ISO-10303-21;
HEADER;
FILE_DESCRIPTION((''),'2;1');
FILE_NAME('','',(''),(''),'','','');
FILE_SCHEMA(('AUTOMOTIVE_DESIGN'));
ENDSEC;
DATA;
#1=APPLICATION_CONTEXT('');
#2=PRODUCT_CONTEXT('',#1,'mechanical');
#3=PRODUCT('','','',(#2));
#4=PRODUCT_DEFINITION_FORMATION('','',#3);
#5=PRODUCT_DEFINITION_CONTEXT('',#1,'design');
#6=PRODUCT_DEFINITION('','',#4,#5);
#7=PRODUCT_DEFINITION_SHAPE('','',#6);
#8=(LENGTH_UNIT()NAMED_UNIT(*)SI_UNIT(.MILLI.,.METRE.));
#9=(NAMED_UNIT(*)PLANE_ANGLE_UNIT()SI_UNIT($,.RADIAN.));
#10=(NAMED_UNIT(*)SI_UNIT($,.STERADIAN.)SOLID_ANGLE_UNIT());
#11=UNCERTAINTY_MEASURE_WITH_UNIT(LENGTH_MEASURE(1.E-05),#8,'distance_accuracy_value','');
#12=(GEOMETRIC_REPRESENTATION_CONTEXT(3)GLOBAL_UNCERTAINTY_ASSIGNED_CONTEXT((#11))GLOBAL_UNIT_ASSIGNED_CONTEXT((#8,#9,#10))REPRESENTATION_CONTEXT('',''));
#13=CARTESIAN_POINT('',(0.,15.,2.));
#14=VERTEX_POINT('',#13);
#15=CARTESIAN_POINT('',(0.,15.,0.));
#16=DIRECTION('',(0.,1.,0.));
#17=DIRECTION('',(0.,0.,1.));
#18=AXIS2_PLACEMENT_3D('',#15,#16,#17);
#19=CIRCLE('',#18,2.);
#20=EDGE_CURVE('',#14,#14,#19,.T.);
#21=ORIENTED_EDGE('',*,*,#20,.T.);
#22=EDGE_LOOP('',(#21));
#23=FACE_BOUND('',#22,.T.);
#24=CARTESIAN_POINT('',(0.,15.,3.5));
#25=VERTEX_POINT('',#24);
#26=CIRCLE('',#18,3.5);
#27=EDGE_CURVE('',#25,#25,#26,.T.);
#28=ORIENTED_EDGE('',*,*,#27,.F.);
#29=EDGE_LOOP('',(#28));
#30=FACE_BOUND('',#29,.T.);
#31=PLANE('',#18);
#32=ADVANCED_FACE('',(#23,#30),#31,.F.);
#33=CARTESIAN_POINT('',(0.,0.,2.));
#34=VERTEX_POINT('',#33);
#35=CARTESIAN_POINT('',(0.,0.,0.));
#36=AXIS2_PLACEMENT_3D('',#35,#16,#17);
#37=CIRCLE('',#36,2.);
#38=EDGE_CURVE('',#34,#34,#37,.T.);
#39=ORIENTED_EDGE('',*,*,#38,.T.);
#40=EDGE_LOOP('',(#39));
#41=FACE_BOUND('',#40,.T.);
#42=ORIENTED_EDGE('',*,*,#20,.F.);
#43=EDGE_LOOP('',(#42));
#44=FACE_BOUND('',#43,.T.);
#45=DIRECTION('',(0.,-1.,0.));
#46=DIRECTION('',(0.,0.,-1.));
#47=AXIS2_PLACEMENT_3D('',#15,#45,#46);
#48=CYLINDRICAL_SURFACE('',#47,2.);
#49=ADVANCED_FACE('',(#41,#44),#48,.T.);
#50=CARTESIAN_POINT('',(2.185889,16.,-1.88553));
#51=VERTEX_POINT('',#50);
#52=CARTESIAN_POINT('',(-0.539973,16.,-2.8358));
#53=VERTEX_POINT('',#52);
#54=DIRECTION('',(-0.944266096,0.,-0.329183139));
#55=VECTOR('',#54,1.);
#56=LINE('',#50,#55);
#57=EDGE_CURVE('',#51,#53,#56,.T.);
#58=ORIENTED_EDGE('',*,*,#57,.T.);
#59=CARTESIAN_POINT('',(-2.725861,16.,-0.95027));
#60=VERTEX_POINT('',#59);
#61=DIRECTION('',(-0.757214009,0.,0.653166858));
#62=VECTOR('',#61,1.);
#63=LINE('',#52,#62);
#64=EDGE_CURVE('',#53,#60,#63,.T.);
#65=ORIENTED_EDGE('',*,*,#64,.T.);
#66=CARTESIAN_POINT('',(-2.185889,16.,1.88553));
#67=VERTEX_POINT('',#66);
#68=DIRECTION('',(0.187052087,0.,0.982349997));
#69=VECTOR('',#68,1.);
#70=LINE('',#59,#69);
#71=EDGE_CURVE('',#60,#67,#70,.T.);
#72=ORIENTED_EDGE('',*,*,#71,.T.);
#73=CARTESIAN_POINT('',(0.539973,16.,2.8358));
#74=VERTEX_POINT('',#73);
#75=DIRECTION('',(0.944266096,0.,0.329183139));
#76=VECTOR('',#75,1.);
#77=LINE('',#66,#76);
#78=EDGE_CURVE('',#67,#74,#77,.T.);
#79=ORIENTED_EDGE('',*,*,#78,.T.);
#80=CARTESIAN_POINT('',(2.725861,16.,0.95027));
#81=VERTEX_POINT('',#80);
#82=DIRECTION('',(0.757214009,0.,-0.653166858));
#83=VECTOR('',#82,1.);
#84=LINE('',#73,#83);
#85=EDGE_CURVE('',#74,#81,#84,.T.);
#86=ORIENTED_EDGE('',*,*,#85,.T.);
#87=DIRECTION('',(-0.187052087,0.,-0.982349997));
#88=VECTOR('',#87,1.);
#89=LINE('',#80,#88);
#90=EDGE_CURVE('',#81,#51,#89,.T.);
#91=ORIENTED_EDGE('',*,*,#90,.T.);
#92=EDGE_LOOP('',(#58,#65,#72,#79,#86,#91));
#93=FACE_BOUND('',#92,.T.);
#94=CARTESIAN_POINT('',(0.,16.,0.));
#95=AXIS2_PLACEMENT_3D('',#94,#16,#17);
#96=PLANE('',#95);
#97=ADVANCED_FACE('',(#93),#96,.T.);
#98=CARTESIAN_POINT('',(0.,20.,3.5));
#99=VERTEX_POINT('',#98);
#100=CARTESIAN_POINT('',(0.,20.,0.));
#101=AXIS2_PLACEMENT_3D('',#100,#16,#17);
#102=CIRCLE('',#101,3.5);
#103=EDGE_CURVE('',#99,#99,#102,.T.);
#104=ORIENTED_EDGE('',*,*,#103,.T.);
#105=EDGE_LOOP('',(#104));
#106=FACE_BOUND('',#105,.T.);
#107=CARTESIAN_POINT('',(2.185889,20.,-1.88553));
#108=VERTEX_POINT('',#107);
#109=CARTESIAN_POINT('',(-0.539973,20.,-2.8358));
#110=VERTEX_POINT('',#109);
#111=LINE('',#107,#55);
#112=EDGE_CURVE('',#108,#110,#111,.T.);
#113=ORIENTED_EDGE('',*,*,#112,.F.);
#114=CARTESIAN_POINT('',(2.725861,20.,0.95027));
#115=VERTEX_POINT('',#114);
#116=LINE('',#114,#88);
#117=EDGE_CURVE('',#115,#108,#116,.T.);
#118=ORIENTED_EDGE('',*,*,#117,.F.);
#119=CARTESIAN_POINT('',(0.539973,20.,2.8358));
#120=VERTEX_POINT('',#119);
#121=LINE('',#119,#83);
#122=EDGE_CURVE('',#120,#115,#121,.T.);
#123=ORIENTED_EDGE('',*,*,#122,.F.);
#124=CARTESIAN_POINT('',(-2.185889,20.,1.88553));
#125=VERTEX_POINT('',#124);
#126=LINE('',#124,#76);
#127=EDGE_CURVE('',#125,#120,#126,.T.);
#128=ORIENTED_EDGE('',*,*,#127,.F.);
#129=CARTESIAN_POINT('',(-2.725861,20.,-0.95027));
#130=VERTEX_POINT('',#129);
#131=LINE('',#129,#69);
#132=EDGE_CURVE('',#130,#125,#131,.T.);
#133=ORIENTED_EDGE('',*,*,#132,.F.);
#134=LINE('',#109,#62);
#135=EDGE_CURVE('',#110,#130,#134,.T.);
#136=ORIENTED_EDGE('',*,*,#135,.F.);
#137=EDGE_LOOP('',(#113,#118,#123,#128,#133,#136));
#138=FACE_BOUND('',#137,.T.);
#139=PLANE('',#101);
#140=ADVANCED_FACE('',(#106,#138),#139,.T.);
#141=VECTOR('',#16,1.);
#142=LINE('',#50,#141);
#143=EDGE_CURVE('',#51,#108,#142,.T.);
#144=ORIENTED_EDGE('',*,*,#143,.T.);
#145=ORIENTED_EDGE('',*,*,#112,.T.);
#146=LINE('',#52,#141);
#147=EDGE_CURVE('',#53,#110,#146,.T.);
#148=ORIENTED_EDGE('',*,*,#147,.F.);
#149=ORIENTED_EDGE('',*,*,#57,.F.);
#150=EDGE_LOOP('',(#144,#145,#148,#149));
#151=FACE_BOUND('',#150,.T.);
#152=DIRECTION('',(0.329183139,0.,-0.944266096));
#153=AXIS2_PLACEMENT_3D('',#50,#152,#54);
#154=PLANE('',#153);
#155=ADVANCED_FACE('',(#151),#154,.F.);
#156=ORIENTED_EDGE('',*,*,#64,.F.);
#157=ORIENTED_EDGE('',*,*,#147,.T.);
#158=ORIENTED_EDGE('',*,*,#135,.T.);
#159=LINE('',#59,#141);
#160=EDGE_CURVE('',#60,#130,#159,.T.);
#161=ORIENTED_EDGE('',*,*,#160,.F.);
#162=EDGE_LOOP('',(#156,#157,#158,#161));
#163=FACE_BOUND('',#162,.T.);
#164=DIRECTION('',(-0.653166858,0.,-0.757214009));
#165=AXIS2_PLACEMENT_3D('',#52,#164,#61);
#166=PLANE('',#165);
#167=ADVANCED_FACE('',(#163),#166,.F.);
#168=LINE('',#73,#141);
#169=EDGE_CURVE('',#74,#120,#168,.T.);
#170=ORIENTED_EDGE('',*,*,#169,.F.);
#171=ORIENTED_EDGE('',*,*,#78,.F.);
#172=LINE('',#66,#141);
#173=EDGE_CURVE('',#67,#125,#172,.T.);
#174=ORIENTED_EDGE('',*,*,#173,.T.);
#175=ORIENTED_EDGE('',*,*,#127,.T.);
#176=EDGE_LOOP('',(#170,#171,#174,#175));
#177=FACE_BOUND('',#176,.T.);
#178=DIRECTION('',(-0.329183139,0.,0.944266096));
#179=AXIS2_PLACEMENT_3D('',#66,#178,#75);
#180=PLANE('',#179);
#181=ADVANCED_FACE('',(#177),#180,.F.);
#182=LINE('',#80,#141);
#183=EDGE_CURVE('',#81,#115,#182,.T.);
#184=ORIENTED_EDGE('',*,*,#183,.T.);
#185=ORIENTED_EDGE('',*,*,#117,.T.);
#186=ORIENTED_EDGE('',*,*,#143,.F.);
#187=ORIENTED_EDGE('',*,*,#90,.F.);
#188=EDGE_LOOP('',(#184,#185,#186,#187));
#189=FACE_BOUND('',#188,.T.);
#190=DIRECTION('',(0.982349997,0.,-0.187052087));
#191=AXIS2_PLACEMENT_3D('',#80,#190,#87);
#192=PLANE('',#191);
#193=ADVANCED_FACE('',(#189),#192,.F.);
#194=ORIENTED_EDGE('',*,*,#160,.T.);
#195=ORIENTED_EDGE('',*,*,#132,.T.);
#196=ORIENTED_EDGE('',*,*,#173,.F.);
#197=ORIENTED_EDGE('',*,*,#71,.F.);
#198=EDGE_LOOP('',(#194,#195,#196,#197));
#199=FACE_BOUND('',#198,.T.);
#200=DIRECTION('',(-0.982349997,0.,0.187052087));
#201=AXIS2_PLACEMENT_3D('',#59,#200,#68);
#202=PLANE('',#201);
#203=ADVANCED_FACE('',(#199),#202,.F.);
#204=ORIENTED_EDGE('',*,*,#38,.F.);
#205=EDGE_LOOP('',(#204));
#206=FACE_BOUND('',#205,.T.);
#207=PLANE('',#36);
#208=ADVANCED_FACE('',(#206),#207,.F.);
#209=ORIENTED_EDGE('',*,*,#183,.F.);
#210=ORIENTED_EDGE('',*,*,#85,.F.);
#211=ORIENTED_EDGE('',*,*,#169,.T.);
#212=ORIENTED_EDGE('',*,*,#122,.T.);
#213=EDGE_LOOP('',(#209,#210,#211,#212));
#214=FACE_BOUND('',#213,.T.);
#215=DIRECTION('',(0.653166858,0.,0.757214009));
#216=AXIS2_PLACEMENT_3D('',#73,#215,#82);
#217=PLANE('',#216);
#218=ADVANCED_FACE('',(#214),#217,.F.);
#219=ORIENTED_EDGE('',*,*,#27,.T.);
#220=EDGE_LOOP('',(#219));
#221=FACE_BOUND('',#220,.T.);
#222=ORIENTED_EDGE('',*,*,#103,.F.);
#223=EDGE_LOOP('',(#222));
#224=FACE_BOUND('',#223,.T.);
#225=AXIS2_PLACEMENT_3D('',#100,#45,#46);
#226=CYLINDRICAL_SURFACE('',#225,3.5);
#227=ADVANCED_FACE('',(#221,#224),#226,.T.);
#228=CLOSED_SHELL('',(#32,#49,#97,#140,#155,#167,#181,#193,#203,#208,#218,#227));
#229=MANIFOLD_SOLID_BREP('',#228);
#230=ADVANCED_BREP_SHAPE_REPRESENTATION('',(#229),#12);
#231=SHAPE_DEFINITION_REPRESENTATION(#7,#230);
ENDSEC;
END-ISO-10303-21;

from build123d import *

# Parameters (mm, degrees)
ESQUISSE1_R             = 2
BOSS_EXTRU_2_DEPTH      = 15
ESQUISSE4_R             = 3.5
BOSS_EXTRU_5_DEPTH      = 5
ENL_V_MAT_EXTRU_3_DEPTH = 4


with BuildPart() as part:
    # Esquisse1 → Boss.-Extru.2 (new body)
    with BuildSketch(Plane(origin=(0, 0, 0), x_dir=(1, 0, 0), z_dir=(0, 1, 0))):
        with Locations(Location((0, 0, 0), (0, 0, 270))):
            Circle(ESQUISSE1_R)
    extrude(amount=BOSS_EXTRU_2_DEPTH)

    # Esquisse4 → Boss.-Extru.5 (add)
    with BuildSketch(Plane(origin=(0, 15, 0), x_dir=(1, 0, 0), z_dir=(0, 1, 0))):
        with Locations(Location((0, 0, 0), (0, 0, 270))):
            Circle(ESQUISSE4_R)
    extrude(amount=BOSS_EXTRU_5_DEPTH)

    # Esquisse6 → Enlèv. mat.-Extru.3 (cut)
    with BuildSketch(Plane(origin=(0, 20, 0), x_dir=(1, 0, 0), z_dir=(0, 1, 0))):
        Polygon((0.539972864, -2.835800176), (2.725861425, -0.950269871), (2.185888561, 1.885530305), (-0.539972864, 2.835800176), (-2.725861425, 0.950269871), (-2.185888561, -1.885530305), align=None)
    extrude(amount=-ENL_V_MAT_EXTRU_3_DEPTH, mode=Mode.SUBTRACT)


solid = part.part
